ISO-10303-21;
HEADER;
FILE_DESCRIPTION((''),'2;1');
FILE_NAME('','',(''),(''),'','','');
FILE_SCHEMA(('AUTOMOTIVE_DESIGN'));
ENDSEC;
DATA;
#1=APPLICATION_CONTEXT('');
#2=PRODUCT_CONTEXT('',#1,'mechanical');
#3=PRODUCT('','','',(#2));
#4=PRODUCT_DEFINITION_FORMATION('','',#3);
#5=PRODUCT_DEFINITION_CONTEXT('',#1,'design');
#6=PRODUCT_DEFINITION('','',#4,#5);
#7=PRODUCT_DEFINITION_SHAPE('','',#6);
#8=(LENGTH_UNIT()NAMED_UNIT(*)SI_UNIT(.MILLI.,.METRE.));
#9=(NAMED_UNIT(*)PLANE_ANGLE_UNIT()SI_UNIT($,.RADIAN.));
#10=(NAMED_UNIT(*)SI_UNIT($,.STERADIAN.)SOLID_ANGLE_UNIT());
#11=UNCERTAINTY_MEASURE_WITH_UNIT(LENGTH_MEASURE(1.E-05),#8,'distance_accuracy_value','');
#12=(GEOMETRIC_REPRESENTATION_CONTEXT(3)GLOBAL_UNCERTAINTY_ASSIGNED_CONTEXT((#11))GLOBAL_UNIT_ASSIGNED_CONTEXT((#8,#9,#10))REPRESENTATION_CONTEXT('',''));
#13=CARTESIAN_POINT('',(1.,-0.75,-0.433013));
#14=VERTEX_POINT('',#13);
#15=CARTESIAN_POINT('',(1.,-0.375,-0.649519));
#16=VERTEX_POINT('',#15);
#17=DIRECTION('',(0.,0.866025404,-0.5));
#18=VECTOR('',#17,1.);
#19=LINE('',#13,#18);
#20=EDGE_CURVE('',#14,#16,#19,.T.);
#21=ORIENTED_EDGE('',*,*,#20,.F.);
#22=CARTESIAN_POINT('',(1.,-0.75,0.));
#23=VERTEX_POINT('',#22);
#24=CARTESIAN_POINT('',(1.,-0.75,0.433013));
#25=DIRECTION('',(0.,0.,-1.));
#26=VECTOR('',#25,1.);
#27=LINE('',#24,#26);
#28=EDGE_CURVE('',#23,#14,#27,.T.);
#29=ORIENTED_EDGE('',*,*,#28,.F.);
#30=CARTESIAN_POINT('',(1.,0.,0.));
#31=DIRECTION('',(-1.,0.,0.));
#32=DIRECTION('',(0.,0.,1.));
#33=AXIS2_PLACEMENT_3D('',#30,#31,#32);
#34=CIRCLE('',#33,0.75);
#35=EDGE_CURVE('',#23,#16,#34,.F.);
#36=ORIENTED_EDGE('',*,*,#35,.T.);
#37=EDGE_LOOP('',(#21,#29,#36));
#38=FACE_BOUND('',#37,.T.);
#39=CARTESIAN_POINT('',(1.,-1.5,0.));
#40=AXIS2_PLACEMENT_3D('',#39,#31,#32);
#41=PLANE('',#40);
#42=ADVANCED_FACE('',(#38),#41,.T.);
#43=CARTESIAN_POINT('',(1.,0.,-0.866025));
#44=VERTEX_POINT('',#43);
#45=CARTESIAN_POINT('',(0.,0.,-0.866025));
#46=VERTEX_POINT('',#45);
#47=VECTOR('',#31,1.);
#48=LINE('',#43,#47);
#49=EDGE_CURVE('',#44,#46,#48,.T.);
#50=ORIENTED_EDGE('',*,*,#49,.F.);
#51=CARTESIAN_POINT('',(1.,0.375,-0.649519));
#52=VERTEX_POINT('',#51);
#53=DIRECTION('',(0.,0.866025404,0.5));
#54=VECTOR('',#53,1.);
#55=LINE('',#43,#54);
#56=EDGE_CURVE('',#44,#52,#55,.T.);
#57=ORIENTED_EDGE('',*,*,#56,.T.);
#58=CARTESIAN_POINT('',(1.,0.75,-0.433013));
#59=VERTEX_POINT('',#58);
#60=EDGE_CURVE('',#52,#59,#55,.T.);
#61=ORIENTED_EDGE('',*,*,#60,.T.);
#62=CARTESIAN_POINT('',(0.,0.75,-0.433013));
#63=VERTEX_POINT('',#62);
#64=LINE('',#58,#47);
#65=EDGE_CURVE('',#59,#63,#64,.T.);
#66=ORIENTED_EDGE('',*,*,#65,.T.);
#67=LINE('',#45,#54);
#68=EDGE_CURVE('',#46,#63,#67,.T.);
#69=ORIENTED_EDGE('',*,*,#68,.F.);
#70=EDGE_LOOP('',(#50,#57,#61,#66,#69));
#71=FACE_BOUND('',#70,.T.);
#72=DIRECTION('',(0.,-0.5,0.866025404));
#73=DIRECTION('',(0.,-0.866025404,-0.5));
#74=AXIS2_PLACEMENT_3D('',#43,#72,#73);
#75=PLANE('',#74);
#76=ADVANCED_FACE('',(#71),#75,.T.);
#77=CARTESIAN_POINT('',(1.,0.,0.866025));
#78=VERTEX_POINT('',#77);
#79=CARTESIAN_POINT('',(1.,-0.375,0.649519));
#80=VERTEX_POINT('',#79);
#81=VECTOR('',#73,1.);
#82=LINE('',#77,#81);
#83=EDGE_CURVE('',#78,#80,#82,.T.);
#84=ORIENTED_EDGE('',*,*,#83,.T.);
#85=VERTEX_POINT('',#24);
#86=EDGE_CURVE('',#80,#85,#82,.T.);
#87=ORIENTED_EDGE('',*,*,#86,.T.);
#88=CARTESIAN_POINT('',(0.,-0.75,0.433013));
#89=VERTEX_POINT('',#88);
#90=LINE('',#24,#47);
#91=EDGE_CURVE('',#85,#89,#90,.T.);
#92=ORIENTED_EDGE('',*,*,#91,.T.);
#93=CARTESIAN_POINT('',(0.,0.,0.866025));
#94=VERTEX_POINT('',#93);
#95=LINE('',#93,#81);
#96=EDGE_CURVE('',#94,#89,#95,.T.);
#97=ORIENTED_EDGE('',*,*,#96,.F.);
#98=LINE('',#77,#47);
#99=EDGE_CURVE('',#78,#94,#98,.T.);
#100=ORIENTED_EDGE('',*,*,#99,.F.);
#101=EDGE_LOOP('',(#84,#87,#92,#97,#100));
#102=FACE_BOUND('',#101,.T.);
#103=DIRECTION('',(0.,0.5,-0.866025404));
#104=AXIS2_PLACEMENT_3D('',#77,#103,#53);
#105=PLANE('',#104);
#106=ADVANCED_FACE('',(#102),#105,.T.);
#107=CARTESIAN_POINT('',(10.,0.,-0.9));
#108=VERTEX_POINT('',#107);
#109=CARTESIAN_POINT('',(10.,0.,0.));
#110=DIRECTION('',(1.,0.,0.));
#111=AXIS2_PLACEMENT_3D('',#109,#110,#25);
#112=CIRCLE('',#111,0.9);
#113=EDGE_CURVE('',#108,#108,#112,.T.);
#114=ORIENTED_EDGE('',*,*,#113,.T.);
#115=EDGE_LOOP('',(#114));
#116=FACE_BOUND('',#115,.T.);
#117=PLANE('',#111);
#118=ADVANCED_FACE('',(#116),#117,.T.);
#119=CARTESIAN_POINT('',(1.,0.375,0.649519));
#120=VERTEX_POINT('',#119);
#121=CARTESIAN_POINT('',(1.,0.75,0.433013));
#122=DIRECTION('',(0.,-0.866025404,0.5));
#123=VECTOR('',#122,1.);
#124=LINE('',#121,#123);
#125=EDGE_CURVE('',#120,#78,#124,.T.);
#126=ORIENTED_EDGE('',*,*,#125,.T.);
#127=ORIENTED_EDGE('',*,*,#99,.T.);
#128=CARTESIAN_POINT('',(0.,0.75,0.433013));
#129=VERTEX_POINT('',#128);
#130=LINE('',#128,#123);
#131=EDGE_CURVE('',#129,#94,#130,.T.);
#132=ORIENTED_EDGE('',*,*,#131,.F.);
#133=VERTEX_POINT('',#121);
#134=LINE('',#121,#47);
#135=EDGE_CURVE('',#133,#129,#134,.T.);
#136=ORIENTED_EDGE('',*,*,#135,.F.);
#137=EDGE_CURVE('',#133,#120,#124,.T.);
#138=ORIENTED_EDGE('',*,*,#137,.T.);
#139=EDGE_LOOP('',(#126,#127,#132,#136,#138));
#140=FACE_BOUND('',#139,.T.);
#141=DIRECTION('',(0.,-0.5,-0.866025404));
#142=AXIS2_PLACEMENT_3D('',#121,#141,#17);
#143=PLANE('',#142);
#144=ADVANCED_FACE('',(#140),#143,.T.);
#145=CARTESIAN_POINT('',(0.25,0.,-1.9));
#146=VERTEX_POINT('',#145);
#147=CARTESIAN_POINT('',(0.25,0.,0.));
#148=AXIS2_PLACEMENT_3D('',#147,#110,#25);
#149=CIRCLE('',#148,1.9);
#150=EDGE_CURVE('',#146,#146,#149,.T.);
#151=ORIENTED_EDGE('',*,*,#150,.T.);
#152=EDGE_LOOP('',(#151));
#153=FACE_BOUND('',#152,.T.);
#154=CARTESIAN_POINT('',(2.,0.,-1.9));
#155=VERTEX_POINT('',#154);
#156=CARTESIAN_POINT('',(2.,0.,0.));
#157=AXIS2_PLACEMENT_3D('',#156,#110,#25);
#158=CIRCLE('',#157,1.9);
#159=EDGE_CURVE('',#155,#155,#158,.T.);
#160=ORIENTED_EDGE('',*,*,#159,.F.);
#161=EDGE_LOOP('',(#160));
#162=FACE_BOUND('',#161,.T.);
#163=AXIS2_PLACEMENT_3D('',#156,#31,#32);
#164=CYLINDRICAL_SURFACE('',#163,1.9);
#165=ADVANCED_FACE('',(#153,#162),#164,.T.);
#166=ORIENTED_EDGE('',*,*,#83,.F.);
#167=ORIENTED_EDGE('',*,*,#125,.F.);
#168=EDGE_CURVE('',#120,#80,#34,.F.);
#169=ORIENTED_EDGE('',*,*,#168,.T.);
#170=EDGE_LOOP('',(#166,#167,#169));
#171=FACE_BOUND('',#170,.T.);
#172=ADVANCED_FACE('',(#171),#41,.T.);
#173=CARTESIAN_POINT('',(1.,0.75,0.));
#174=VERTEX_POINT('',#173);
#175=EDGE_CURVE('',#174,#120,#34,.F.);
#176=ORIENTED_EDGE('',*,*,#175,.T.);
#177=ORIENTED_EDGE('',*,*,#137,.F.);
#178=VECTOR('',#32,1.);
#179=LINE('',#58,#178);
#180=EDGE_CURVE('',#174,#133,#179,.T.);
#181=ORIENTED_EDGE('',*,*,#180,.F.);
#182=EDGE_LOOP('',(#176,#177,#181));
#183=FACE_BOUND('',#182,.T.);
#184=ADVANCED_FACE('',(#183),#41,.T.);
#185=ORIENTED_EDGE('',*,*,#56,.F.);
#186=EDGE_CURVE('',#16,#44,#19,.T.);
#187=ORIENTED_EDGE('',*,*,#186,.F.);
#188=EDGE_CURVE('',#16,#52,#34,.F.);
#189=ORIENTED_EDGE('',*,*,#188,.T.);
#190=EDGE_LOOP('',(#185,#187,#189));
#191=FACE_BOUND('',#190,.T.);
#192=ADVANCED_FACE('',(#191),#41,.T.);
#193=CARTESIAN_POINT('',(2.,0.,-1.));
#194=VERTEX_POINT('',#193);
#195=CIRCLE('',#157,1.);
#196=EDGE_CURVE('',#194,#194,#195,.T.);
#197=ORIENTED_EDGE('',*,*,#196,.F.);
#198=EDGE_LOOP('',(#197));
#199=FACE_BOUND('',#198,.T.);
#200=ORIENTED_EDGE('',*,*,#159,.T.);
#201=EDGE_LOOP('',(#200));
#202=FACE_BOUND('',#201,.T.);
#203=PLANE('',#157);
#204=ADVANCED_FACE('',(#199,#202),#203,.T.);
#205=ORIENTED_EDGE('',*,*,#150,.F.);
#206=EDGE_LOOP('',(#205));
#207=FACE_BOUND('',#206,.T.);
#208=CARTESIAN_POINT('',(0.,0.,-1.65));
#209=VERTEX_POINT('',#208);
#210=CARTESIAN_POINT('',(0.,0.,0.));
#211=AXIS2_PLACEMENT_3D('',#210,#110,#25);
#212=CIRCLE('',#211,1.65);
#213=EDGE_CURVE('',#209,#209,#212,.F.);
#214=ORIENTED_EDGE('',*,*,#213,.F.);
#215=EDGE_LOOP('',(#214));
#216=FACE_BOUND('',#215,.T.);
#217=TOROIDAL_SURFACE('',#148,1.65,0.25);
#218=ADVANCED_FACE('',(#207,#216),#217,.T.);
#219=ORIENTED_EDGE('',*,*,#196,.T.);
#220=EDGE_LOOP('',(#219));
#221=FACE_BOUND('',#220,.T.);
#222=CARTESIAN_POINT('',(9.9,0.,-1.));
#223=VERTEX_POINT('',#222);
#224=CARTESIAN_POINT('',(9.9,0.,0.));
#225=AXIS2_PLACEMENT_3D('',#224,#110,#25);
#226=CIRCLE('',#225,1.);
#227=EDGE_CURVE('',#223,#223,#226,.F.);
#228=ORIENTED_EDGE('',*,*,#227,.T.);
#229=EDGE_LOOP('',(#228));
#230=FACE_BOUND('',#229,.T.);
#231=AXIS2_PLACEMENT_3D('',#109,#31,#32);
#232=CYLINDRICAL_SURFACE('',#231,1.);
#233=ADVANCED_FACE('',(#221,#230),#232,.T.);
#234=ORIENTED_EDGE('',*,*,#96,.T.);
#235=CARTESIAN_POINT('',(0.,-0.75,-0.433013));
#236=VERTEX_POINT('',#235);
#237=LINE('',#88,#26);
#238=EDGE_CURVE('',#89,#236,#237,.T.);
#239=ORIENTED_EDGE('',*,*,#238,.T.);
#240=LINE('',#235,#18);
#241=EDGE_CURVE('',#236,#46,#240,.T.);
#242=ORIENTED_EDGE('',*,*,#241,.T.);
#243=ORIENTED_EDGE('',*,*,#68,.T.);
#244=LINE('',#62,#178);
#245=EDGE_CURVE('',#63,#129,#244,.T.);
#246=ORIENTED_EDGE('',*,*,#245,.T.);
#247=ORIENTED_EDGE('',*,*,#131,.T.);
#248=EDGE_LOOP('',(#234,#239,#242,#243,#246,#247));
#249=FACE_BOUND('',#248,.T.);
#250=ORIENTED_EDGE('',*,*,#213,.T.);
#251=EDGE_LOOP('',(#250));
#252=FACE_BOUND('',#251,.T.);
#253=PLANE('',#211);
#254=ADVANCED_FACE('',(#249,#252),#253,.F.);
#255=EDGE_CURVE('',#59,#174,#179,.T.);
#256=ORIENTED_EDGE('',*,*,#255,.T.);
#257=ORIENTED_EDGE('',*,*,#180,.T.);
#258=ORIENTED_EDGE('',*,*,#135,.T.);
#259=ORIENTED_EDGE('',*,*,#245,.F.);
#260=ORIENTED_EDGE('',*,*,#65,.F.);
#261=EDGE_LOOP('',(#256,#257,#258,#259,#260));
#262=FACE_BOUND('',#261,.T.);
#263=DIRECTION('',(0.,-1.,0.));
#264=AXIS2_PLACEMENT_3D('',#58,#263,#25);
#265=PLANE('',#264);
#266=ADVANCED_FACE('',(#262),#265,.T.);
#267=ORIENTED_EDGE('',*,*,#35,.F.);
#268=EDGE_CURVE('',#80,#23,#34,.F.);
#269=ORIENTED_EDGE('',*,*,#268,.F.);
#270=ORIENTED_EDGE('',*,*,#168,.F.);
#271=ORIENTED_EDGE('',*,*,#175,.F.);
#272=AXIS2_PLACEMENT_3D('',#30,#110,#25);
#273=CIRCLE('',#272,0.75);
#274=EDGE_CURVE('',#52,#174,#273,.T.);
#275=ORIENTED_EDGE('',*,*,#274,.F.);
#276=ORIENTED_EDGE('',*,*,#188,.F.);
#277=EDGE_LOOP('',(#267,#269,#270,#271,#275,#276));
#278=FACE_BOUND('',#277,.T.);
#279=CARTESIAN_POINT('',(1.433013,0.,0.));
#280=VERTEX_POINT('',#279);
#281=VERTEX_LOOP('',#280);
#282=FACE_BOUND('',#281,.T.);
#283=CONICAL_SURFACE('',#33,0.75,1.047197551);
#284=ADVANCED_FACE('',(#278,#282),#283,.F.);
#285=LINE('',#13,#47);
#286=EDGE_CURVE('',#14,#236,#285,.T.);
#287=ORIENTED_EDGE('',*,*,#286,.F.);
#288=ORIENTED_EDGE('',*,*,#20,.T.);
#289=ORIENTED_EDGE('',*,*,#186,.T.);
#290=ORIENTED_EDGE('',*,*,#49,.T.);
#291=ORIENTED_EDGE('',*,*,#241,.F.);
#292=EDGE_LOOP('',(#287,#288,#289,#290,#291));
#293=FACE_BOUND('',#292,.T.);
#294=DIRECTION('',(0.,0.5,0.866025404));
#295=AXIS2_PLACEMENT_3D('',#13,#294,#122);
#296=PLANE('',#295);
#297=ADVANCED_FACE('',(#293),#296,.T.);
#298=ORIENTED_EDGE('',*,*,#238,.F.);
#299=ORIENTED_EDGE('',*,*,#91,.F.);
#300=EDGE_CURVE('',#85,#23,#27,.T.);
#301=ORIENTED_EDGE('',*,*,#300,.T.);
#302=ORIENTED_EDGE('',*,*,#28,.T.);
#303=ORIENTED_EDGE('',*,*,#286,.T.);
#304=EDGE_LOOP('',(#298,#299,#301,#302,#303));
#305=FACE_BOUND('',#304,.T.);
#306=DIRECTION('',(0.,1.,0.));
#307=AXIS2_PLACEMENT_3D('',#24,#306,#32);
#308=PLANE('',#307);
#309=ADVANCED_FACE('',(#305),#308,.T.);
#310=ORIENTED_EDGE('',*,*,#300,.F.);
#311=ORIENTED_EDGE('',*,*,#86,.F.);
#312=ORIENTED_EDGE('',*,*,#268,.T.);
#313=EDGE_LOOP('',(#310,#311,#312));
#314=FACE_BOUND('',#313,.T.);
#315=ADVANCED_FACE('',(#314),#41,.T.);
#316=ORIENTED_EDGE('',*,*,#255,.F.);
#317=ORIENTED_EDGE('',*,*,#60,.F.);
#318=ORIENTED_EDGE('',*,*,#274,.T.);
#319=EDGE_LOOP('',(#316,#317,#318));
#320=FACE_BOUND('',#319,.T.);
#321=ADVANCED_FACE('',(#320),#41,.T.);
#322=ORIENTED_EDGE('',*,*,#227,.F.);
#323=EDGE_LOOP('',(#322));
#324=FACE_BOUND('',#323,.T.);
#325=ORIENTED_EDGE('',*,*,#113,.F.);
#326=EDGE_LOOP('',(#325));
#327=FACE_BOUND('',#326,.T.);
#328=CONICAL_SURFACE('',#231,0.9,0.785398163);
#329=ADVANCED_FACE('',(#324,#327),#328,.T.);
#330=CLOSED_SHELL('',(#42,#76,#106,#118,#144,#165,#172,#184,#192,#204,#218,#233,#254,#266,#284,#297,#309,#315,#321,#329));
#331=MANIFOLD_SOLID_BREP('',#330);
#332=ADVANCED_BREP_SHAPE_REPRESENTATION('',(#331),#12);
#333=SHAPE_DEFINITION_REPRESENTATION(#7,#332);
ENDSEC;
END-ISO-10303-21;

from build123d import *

# Parameters (mm, degrees)
SKETCH1_R           = 1.9
BASEHEAD_DEPTH      = 2
SKETCH2_R           = 1
BASEBODY_DEPTH      = 8
HEXAGONSOCKET_DEPTH = 1
TOPFILLET_R         = 0.25
CHAMFER1_SIZE       = 0.1


with BuildPart() as part:
    # Sketch1 → BaseHead (new body)
    with BuildSketch(Plane(origin=(0, 0, 0), x_dir=(0, 0, -1), z_dir=(1, 0, 0))):
        Circle(SKETCH1_R)
    extrude(amount=BASEHEAD_DEPTH)

    # Sketch2 → BaseBody (add)
    with BuildSketch(Plane(origin=(2, 0, 0), x_dir=(0, 0, -1), z_dir=(1, 0, 0))):
        Circle(SKETCH2_R)
    extrude(amount=BASEBODY_DEPTH)

    # Sketch3 → HexagonSocket (cut)
    with BuildSketch(Plane(origin=(0, 0, 0), x_dir=(0, 0, -1), z_dir=(1, 0, 0))):
        Polygon((0.866025404, 0), (0.433012702, 0.75), (-0.433012702, 0.75), (-0.866025404, 0), (-0.433012702, -0.75), (0.433012702, -0.75), align=None)
    extrude(amount=HEXAGONSOCKET_DEPTH, mode=Mode.SUBTRACT)

    # Sketch4 → Cut-Revolve1 (revolve, cut)
    with BuildSketch(Plane(origin=(-4.19613823, 0.75, 0), x_dir=(-1, 0, 0), z_dir=(0, 0, 1)), mode=Mode.PRIVATE) as cut_revolve1_sk:
        Polygon((-5.19613823, 1.5), (-5.629150931, 0.75), (-5.19613823, 0.75), align=None)
    revolve(cut_revolve1_sk.sketch.rotate(Axis((0.838992387, 0, 0), (-1, 0, 0)), 90), axis=Axis((0.838992387, 0, 0), (-1, 0, 0)), mode=Mode.SUBTRACT)

    # TopFillet
    topfillet_edges = [part.edges().sort_by_distance(p)[0] for p in [
        (0, 0, 1.9),
    ]]
    fillet(topfillet_edges, radius=TOPFILLET_R)

    # Chamfer1
    chamfer1_edges = [part.edges().sort_by_distance(p)[0] for p in [
        (10, 0, 1),
    ]]
    chamfer(chamfer1_edges, length=CHAMFER1_SIZE)


solid = part.part
